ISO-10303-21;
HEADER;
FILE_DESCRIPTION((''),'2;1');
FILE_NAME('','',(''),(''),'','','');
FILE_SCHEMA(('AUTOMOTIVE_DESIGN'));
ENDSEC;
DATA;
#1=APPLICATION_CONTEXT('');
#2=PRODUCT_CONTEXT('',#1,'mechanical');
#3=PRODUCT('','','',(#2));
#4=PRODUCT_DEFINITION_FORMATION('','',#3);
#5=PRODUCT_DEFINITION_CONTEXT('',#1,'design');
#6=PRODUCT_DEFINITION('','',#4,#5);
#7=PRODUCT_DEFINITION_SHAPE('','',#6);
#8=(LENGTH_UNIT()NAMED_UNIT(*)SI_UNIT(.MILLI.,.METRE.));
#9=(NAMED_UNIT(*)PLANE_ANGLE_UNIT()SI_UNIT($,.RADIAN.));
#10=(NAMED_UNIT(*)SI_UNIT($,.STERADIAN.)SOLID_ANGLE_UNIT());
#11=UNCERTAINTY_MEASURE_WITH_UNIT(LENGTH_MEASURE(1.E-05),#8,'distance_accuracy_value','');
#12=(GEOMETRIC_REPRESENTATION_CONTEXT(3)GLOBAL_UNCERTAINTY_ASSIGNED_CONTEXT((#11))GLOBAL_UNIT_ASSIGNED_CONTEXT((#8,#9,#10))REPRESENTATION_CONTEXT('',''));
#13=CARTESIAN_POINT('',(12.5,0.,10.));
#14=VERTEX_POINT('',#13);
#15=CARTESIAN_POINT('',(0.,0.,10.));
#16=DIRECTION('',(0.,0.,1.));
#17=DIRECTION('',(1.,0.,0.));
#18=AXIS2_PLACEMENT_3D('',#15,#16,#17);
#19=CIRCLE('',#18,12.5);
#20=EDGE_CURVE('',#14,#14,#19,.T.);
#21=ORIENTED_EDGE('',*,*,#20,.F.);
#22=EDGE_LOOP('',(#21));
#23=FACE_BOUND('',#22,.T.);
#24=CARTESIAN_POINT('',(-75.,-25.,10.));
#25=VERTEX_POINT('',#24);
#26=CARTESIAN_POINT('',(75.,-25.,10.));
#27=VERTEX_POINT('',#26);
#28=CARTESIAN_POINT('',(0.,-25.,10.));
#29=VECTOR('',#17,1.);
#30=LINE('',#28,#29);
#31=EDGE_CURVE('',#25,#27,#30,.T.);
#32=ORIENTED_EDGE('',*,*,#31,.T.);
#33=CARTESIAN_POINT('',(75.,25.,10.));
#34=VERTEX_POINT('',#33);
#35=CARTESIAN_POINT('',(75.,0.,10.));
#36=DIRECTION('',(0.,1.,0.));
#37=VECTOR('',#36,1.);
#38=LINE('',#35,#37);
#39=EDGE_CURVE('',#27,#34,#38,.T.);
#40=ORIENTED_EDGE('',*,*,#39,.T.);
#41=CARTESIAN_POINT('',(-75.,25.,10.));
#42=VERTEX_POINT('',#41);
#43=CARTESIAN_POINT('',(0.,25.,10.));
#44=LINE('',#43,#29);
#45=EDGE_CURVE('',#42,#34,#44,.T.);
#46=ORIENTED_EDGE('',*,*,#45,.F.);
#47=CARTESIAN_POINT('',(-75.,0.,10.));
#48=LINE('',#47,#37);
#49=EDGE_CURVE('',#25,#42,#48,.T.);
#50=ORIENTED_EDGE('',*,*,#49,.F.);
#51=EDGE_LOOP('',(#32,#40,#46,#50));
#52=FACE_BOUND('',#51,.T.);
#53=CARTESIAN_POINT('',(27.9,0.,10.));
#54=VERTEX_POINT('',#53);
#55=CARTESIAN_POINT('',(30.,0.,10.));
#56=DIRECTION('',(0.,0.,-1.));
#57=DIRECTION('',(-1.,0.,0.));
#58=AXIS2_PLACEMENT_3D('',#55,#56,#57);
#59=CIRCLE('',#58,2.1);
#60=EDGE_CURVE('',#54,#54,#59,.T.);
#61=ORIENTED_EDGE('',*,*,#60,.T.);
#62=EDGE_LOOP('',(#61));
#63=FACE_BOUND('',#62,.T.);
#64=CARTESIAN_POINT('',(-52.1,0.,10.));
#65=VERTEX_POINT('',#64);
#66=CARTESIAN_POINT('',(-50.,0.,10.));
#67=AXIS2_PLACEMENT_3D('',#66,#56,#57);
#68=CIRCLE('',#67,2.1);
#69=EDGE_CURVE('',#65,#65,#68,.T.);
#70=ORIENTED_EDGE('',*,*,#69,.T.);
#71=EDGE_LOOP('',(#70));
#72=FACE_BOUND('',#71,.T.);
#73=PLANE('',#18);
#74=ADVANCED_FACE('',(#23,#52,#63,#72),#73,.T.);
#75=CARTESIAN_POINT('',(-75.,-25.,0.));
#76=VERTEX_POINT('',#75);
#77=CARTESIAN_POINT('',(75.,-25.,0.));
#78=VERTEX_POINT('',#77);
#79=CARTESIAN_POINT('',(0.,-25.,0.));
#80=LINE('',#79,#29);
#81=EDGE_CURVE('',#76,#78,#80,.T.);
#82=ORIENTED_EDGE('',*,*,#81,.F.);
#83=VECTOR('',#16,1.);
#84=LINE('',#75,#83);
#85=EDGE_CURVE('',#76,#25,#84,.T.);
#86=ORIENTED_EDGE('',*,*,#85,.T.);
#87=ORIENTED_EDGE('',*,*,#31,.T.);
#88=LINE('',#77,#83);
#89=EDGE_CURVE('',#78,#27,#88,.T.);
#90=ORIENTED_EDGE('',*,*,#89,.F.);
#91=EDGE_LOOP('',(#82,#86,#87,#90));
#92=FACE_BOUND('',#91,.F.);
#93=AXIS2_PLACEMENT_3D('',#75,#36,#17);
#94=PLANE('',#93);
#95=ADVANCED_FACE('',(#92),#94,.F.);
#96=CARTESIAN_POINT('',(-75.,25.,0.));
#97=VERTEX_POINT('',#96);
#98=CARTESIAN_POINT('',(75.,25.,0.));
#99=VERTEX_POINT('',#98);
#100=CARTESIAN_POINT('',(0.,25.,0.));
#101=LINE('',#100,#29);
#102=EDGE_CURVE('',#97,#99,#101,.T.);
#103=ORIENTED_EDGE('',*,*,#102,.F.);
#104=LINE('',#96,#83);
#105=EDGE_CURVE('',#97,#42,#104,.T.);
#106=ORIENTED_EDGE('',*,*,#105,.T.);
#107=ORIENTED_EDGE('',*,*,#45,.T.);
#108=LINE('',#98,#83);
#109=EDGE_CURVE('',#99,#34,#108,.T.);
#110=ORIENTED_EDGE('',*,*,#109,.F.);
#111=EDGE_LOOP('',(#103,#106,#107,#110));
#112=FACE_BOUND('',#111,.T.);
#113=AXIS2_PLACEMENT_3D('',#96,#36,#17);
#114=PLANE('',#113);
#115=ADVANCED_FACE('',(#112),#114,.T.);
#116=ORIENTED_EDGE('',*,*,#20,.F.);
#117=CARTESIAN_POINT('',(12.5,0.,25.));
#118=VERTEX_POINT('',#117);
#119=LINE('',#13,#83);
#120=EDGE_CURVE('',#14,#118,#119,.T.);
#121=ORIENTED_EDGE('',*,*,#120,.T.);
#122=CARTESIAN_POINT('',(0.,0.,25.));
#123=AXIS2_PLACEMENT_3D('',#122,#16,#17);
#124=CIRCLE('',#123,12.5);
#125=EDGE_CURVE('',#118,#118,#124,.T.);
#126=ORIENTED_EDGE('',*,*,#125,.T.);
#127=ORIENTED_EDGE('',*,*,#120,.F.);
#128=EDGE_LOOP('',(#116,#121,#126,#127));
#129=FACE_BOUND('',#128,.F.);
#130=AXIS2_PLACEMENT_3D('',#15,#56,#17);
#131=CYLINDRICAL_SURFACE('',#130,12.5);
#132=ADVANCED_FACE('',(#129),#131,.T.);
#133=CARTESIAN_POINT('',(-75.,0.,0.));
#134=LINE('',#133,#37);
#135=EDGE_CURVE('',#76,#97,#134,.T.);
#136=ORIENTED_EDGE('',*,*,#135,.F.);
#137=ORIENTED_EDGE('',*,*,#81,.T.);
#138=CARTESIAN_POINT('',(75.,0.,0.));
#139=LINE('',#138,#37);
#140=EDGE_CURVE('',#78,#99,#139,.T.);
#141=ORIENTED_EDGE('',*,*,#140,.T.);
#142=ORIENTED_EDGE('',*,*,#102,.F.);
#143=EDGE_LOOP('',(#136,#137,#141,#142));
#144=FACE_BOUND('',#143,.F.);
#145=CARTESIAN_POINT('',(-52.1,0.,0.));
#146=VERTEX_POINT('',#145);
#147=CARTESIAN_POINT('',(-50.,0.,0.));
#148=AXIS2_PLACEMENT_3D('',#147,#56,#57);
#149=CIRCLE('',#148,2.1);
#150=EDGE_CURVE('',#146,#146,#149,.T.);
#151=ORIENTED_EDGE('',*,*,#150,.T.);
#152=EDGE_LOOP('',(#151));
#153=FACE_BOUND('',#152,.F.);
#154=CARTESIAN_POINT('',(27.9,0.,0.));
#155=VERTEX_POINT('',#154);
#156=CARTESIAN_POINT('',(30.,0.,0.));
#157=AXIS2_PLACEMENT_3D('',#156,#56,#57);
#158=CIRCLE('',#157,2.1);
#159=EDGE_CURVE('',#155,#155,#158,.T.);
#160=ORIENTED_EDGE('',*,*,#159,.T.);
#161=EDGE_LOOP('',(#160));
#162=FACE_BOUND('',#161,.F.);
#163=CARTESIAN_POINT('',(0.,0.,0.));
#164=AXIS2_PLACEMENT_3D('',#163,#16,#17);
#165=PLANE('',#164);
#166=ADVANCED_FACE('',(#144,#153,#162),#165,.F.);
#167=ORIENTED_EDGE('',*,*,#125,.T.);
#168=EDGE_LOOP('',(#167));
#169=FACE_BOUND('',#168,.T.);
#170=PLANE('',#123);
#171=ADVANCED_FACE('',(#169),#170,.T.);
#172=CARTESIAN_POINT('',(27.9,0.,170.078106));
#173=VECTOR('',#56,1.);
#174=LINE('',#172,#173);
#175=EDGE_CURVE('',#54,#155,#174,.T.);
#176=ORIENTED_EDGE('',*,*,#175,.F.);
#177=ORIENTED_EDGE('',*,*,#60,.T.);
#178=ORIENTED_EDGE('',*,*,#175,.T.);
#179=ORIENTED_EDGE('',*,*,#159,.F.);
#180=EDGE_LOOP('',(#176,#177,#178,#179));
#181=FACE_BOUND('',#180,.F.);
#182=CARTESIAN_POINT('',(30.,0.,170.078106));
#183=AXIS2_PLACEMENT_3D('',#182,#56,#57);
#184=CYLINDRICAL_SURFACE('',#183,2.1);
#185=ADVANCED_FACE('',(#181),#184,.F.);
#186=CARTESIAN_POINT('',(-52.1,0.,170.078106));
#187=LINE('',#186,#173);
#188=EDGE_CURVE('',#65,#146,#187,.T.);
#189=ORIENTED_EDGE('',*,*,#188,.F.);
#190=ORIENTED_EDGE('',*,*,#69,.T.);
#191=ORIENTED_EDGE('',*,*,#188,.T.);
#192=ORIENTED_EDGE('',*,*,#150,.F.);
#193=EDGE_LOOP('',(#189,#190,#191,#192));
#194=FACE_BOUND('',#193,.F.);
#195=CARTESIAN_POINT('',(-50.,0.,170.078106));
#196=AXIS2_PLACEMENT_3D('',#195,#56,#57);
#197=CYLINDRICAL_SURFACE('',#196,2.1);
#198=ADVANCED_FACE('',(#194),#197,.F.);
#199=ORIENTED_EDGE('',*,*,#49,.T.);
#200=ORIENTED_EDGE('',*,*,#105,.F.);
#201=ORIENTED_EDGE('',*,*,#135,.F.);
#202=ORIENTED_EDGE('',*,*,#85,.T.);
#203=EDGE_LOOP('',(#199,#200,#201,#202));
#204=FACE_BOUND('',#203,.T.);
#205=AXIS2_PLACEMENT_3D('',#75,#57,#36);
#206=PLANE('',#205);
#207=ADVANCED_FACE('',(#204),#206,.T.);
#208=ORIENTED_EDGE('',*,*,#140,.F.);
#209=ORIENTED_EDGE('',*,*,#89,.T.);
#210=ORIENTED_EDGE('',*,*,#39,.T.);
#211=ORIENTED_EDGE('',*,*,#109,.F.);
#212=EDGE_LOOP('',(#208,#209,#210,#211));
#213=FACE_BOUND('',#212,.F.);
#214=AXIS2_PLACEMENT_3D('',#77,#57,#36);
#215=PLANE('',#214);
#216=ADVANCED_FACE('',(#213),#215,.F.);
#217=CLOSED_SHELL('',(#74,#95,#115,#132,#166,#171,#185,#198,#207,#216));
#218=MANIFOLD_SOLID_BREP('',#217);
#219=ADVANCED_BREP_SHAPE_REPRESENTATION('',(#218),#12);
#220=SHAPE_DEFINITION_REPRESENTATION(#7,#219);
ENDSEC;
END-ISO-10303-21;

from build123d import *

# Parameters (mm, degrees)
F0_W     = 150
F0_H     = 50
F1_DEPTH = 10
F2_R     = 12.5
F3_DEPTH = 15
F5_D     = 4.2


with BuildPart() as f1:
    # F0 (on Top) → F1 (new body)
    with BuildSketch(Plane.XY):
        Rectangle(F0_W, F0_H)
    extrude(amount=F1_DEPTH)

    # F2 (on face) → F3 (join)
    with BuildSketch(Plane.XY.offset(10)):
        Circle(F2_R)
    extrude(amount=F3_DEPTH)

    # F5 (through all)
    with Locations(Plane.XY.offset(10)):
        with Locations((-50, 0), (30, 0)):
            Hole(F5_D / 2)


solid = f1.part
